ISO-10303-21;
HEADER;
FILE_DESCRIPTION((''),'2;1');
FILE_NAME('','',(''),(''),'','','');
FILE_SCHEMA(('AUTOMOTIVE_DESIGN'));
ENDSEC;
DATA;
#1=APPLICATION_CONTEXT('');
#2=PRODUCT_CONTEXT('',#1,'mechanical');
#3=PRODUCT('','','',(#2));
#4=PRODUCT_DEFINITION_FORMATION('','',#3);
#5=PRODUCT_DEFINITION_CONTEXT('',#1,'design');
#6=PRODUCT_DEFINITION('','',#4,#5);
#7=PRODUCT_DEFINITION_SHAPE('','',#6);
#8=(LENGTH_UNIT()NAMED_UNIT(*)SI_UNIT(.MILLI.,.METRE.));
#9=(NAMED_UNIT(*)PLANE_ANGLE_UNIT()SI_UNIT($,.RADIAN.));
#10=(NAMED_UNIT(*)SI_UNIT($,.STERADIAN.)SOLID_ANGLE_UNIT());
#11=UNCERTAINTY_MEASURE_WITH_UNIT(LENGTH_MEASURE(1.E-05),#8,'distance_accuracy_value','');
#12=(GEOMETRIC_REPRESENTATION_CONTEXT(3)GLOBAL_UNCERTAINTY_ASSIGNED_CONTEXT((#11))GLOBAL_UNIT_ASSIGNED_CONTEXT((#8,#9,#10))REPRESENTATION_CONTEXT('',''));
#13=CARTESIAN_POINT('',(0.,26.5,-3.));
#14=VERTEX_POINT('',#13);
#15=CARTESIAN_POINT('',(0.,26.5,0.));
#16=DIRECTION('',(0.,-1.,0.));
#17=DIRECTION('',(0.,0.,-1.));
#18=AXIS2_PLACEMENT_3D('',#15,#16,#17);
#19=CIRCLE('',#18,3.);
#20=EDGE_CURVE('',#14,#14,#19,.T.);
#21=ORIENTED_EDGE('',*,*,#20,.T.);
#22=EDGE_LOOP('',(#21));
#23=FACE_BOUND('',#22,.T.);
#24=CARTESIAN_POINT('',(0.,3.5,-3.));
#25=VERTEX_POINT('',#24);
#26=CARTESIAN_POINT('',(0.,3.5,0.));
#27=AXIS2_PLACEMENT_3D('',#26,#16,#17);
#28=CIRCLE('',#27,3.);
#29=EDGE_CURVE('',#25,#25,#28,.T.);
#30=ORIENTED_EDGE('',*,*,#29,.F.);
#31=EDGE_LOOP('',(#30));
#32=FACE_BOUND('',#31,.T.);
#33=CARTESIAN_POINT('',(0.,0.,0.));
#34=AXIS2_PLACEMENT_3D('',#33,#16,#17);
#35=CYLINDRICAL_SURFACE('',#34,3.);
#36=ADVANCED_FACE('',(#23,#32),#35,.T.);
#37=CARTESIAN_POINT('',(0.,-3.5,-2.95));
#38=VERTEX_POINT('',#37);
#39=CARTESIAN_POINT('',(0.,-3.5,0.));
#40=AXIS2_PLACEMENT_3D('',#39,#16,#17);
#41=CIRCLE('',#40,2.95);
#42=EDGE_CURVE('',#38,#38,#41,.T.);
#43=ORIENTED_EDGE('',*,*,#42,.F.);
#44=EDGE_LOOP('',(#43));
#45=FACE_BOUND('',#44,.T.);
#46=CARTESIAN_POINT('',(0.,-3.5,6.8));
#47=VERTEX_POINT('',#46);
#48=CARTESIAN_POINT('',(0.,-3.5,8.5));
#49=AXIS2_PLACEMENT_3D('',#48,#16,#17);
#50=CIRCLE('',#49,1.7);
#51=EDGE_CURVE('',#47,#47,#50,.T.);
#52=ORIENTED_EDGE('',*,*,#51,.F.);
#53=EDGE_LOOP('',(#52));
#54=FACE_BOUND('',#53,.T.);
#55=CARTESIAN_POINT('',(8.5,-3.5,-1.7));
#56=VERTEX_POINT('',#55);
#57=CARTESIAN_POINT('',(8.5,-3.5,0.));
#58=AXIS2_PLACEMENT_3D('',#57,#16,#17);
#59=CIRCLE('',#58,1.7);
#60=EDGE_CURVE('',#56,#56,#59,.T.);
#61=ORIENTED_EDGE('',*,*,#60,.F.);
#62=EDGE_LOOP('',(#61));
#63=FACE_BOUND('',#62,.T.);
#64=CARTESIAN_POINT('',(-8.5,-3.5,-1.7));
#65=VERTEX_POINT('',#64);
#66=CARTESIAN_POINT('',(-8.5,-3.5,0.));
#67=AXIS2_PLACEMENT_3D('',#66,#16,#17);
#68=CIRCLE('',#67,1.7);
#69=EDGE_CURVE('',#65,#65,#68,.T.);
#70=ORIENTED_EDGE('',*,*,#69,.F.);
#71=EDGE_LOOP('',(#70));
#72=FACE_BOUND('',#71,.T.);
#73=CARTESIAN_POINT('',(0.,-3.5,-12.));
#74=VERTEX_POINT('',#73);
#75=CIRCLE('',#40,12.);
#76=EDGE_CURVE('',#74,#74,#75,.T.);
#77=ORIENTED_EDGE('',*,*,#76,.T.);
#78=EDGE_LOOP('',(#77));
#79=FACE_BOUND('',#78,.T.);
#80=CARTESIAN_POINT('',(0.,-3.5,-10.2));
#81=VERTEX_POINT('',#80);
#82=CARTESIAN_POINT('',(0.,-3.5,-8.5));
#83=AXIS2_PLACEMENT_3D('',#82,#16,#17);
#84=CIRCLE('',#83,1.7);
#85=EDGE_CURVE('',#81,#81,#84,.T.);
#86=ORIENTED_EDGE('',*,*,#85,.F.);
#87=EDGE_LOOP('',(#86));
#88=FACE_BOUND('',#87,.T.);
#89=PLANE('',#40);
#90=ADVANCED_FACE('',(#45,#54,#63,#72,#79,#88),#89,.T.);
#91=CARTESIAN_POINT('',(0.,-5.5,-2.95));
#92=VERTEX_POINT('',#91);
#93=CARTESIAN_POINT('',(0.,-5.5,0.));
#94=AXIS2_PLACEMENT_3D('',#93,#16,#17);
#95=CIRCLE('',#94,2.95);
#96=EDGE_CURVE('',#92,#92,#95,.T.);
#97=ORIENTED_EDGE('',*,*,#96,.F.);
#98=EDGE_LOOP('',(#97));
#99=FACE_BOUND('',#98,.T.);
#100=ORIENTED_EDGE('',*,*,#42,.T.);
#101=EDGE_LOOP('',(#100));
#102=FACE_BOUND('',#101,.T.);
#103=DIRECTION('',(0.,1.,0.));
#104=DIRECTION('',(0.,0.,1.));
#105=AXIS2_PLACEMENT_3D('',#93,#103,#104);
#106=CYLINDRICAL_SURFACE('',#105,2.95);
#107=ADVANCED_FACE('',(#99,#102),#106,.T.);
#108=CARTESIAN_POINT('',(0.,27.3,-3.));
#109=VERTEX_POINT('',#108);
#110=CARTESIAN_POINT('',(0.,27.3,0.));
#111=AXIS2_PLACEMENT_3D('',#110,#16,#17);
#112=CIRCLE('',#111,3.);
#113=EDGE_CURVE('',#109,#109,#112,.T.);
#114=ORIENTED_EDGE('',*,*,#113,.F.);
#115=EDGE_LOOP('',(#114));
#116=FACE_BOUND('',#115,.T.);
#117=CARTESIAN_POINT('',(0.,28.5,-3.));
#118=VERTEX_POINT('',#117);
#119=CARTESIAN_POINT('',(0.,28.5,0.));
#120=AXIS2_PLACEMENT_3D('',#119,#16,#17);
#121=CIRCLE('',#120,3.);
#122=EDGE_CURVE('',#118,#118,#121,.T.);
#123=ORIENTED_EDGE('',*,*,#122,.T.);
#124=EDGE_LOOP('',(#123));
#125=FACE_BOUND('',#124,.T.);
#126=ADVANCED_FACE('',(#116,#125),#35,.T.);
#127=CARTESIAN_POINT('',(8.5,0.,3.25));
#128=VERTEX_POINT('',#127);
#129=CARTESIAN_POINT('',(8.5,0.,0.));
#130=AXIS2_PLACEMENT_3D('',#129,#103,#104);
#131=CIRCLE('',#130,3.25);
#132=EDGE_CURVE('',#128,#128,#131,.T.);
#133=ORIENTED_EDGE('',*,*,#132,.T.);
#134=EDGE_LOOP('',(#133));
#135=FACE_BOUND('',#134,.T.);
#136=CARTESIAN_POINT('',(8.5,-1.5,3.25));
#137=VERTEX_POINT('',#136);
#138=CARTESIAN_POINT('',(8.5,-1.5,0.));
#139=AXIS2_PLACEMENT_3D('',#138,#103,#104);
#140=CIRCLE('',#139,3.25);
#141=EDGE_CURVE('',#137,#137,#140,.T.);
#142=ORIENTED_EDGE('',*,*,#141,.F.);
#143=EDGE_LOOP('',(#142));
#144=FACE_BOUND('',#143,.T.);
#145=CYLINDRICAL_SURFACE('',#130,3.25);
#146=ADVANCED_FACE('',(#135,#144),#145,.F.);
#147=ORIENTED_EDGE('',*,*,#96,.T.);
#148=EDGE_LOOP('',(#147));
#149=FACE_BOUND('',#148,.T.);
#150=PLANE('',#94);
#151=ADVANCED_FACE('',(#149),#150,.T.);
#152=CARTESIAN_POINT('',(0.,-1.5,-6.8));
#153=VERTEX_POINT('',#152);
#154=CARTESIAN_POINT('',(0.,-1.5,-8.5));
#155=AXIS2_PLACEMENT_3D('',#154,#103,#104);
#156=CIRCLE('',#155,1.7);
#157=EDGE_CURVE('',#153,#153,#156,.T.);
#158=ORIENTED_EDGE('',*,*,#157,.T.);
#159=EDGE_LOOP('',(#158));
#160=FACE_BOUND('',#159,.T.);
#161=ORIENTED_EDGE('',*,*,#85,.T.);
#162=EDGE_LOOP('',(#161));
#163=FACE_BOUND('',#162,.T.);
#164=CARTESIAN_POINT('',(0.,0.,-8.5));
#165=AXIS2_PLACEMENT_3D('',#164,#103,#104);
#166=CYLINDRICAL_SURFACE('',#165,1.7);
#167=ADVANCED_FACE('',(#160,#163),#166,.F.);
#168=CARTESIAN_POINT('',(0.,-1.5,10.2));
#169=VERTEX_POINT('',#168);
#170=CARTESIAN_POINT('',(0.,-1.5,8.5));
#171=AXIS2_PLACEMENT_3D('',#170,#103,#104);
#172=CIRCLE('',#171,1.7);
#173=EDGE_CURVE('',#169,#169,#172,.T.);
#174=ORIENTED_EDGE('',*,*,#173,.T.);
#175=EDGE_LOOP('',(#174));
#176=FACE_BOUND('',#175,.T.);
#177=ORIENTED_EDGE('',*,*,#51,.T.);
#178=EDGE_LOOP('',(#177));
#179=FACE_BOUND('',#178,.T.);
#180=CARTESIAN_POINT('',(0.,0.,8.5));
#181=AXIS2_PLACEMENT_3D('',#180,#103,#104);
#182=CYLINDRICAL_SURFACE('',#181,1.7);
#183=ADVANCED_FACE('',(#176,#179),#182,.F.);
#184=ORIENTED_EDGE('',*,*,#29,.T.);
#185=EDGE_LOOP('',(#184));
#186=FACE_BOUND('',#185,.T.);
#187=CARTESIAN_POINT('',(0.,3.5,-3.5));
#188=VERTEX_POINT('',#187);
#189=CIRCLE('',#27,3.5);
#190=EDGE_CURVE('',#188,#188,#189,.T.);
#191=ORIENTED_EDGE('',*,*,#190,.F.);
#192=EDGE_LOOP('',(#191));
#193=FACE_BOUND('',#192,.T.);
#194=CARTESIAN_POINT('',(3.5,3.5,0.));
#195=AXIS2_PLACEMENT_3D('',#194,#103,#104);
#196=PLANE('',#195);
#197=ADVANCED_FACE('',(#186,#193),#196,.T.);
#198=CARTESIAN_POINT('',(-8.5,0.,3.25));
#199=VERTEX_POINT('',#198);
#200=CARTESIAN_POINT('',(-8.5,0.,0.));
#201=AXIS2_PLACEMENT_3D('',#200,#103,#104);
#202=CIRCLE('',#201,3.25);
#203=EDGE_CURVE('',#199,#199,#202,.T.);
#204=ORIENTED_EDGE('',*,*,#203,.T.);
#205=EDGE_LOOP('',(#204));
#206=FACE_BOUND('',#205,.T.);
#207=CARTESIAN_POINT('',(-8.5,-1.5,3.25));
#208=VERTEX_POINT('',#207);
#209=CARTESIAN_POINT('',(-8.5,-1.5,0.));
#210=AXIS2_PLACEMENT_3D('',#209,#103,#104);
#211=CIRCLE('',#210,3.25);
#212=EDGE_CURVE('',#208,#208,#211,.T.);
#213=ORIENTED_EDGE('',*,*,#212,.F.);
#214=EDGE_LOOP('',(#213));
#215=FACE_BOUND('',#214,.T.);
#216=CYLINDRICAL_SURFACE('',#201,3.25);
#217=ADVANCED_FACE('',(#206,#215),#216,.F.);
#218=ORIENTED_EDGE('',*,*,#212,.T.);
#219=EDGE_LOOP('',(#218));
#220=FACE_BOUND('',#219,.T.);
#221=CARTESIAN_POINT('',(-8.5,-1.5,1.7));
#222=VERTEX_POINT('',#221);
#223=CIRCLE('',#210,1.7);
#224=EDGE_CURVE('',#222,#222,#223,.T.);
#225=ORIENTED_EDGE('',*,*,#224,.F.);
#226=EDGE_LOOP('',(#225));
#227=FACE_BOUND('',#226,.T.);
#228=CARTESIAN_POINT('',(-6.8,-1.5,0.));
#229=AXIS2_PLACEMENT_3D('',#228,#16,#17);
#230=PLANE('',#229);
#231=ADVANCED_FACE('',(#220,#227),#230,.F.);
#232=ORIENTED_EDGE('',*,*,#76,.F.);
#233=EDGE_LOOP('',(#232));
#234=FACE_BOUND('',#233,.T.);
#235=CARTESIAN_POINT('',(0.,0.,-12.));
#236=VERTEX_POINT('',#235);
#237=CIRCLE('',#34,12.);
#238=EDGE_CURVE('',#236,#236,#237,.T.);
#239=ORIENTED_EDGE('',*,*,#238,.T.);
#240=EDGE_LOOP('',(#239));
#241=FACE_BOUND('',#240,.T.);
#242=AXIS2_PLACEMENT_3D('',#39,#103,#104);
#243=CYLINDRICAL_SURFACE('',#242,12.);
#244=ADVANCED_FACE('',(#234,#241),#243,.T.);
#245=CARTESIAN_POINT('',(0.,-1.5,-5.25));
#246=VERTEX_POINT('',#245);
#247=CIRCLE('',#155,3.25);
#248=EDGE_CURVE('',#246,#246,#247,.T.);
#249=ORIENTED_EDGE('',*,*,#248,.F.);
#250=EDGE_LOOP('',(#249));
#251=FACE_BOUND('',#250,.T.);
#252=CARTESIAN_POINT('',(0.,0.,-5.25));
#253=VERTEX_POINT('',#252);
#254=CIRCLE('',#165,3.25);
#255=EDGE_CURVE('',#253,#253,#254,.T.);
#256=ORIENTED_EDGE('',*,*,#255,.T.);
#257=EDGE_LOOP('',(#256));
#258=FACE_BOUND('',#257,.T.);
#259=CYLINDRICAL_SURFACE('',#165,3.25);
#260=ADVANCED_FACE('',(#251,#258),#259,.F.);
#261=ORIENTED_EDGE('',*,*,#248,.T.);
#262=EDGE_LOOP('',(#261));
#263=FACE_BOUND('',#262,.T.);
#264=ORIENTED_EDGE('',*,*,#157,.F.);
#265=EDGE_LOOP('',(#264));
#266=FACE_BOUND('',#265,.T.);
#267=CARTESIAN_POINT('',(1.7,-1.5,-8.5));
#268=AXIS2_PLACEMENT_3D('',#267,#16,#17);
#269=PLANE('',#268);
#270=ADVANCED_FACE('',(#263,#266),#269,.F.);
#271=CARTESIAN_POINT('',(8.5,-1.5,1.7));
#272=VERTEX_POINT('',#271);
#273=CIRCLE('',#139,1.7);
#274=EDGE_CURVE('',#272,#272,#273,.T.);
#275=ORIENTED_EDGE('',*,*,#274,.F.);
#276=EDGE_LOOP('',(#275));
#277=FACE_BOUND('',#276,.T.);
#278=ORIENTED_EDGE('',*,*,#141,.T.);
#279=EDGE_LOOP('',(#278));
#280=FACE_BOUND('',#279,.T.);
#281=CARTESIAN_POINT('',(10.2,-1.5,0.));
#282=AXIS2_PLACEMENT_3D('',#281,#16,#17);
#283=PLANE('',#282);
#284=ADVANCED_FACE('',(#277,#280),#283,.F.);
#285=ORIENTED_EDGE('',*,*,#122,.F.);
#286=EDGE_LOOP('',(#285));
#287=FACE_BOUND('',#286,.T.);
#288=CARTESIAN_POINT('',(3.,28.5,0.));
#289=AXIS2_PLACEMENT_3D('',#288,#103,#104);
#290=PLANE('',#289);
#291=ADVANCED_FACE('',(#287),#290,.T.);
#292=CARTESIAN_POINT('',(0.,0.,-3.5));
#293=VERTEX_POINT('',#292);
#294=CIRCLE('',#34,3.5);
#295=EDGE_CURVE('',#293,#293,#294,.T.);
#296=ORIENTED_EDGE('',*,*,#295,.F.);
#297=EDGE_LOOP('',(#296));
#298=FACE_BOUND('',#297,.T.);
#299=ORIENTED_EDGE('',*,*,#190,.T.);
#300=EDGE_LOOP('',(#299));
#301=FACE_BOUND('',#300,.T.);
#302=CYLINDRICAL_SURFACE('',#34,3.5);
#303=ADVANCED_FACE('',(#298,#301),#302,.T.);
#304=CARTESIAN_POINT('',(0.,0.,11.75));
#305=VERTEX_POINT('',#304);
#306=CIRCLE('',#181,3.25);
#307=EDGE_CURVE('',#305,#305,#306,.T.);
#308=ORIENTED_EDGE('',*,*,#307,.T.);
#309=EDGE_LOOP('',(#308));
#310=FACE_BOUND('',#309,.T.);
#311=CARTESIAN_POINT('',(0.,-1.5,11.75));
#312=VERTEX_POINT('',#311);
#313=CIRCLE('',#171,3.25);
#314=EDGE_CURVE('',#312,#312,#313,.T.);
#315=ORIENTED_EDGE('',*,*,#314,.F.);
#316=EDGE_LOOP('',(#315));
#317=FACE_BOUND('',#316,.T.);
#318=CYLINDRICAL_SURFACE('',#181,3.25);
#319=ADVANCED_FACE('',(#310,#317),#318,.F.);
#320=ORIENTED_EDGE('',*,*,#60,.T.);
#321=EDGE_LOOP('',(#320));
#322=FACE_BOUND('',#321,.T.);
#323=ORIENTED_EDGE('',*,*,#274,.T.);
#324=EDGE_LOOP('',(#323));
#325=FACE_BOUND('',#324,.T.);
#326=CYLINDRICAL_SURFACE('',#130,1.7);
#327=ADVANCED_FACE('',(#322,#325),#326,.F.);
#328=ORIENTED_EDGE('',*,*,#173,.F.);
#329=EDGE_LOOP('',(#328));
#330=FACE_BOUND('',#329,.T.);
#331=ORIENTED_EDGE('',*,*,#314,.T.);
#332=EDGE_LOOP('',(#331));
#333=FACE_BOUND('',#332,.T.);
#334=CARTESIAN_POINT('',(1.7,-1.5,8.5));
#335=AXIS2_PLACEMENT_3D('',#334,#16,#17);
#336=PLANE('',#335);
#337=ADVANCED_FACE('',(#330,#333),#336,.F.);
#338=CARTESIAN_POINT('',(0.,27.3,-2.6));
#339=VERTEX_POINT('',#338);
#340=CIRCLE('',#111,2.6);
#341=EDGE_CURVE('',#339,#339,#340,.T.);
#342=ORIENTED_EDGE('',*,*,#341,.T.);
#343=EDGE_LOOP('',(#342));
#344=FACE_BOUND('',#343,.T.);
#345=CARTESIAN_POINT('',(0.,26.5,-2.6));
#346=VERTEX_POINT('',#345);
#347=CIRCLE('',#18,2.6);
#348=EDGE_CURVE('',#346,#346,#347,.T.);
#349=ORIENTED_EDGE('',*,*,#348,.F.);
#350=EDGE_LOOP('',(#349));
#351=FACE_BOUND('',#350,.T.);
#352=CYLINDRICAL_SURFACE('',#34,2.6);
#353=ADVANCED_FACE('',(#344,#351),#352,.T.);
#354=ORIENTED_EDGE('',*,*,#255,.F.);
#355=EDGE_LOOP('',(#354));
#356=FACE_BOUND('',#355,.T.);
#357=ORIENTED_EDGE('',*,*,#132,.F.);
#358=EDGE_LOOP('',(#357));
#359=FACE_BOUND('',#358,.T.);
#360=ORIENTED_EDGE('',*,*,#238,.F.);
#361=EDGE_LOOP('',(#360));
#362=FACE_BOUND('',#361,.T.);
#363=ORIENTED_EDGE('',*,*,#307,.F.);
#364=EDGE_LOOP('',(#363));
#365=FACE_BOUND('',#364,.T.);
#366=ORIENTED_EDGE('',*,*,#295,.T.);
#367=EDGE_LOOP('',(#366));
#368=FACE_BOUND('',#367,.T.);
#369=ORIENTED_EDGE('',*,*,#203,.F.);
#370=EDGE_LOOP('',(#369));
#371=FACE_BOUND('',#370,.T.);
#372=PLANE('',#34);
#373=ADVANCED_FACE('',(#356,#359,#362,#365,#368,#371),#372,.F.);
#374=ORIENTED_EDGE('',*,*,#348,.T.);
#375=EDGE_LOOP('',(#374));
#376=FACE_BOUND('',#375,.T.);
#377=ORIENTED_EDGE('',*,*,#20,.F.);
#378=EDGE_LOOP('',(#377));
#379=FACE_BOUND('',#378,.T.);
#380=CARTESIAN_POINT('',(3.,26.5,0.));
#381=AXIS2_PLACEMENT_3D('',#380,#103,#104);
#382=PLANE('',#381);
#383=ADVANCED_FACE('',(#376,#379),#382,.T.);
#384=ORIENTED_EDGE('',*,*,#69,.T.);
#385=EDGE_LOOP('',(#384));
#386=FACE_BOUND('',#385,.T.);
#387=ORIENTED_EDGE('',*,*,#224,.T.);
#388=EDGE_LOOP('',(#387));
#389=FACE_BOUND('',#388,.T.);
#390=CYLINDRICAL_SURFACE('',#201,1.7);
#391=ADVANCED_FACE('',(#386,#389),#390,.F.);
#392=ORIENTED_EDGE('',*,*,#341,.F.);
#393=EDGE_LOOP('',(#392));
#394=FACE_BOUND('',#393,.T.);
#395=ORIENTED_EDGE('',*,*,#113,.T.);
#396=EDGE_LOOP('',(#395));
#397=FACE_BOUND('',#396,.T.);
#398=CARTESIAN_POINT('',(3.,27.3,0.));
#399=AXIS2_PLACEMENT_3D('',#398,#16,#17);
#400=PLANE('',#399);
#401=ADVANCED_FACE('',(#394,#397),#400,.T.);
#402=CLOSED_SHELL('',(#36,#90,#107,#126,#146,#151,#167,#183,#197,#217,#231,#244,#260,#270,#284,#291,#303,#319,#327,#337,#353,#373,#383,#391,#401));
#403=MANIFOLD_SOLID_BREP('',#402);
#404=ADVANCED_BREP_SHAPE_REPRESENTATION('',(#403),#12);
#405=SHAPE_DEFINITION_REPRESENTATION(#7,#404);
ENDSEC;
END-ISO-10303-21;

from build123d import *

# Parameters (mm, degrees)
SKETCH_2_R                   = 12
EXTRUDE_1_DEPTH              = 3.5
SKETCH_3_R                   = 2.95
EXTRUDE_2_DEPTH              = 2
HOLE_WIZARD_M3_1_D           = 3.4
HOLE_WIZARD_M3_1_CBORE_D     = 6.5
HOLE_WIZARD_M3_1_CBORE_DEPTH = 1.5
PATTERN_CIRCULAR_1_COUNT     = 4


with BuildPart() as part:
    # 草图1 → 旋转1 (revolve)
    with BuildSketch(Plane.XY, mode=Mode.PRIVATE) as revolve_1_sk:
        Polygon((3, 27.3), (3, 28.5), (0, 28.5), (0, 0), (3.5, 0), (3.5, 3.5), (3, 3.5), (3, 26.5), (2.6, 26.5), (2.6, 27.3), align=None)
    revolve(revolve_1_sk.sketch.rotate(Axis((0, 0, 0), (0, 1, 0)), 90), axis=Axis((0, 0, 0), (0, 1, 0)))

    # 草图2 → 凸台-拉伸1 (add)
    with BuildSketch(Plane.XZ):
        with Locations(Location((0, 0, 0), (0, 0, 270))):
            Circle(SKETCH_2_R)
    extrude(amount=EXTRUDE_1_DEPTH)

    # 草图3 → 凸台-拉伸2 (add)
    with BuildSketch(Plane.XZ.offset(3.5)):
        with Locations(Location((0, 0, 0), (0, 0, 270))):
            Circle(SKETCH_3_R)
    extrude(amount=EXTRUDE_2_DEPTH)

    # M3 六角凹头螺钉的柱形沉头孔1 (through all)
    with Locations(Plane(origin=(0, 0, 0), x_dir=(1, 0, 0), z_dir=(0, 1, 0))):
        with Locations((8.5, 0)):
            hole_wizard_m3_1 = CounterBoreHole(HOLE_WIZARD_M3_1_D / 2, HOLE_WIZARD_M3_1_CBORE_D / 2, HOLE_WIZARD_M3_1_CBORE_DEPTH)

    # 阵列(圆周)1: M3 六角凹头螺钉的柱形沉头孔1 ×4 about axis
    pattern_circular_1_axis = Axis((0, 0, 0), (0, 1, 0))
    for i in range(1, PATTERN_CIRCULAR_1_COUNT):
        add(hole_wizard_m3_1.rotate(pattern_circular_1_axis, i * 360 / PATTERN_CIRCULAR_1_COUNT), mode=Mode.SUBTRACT)


solid = part.part
